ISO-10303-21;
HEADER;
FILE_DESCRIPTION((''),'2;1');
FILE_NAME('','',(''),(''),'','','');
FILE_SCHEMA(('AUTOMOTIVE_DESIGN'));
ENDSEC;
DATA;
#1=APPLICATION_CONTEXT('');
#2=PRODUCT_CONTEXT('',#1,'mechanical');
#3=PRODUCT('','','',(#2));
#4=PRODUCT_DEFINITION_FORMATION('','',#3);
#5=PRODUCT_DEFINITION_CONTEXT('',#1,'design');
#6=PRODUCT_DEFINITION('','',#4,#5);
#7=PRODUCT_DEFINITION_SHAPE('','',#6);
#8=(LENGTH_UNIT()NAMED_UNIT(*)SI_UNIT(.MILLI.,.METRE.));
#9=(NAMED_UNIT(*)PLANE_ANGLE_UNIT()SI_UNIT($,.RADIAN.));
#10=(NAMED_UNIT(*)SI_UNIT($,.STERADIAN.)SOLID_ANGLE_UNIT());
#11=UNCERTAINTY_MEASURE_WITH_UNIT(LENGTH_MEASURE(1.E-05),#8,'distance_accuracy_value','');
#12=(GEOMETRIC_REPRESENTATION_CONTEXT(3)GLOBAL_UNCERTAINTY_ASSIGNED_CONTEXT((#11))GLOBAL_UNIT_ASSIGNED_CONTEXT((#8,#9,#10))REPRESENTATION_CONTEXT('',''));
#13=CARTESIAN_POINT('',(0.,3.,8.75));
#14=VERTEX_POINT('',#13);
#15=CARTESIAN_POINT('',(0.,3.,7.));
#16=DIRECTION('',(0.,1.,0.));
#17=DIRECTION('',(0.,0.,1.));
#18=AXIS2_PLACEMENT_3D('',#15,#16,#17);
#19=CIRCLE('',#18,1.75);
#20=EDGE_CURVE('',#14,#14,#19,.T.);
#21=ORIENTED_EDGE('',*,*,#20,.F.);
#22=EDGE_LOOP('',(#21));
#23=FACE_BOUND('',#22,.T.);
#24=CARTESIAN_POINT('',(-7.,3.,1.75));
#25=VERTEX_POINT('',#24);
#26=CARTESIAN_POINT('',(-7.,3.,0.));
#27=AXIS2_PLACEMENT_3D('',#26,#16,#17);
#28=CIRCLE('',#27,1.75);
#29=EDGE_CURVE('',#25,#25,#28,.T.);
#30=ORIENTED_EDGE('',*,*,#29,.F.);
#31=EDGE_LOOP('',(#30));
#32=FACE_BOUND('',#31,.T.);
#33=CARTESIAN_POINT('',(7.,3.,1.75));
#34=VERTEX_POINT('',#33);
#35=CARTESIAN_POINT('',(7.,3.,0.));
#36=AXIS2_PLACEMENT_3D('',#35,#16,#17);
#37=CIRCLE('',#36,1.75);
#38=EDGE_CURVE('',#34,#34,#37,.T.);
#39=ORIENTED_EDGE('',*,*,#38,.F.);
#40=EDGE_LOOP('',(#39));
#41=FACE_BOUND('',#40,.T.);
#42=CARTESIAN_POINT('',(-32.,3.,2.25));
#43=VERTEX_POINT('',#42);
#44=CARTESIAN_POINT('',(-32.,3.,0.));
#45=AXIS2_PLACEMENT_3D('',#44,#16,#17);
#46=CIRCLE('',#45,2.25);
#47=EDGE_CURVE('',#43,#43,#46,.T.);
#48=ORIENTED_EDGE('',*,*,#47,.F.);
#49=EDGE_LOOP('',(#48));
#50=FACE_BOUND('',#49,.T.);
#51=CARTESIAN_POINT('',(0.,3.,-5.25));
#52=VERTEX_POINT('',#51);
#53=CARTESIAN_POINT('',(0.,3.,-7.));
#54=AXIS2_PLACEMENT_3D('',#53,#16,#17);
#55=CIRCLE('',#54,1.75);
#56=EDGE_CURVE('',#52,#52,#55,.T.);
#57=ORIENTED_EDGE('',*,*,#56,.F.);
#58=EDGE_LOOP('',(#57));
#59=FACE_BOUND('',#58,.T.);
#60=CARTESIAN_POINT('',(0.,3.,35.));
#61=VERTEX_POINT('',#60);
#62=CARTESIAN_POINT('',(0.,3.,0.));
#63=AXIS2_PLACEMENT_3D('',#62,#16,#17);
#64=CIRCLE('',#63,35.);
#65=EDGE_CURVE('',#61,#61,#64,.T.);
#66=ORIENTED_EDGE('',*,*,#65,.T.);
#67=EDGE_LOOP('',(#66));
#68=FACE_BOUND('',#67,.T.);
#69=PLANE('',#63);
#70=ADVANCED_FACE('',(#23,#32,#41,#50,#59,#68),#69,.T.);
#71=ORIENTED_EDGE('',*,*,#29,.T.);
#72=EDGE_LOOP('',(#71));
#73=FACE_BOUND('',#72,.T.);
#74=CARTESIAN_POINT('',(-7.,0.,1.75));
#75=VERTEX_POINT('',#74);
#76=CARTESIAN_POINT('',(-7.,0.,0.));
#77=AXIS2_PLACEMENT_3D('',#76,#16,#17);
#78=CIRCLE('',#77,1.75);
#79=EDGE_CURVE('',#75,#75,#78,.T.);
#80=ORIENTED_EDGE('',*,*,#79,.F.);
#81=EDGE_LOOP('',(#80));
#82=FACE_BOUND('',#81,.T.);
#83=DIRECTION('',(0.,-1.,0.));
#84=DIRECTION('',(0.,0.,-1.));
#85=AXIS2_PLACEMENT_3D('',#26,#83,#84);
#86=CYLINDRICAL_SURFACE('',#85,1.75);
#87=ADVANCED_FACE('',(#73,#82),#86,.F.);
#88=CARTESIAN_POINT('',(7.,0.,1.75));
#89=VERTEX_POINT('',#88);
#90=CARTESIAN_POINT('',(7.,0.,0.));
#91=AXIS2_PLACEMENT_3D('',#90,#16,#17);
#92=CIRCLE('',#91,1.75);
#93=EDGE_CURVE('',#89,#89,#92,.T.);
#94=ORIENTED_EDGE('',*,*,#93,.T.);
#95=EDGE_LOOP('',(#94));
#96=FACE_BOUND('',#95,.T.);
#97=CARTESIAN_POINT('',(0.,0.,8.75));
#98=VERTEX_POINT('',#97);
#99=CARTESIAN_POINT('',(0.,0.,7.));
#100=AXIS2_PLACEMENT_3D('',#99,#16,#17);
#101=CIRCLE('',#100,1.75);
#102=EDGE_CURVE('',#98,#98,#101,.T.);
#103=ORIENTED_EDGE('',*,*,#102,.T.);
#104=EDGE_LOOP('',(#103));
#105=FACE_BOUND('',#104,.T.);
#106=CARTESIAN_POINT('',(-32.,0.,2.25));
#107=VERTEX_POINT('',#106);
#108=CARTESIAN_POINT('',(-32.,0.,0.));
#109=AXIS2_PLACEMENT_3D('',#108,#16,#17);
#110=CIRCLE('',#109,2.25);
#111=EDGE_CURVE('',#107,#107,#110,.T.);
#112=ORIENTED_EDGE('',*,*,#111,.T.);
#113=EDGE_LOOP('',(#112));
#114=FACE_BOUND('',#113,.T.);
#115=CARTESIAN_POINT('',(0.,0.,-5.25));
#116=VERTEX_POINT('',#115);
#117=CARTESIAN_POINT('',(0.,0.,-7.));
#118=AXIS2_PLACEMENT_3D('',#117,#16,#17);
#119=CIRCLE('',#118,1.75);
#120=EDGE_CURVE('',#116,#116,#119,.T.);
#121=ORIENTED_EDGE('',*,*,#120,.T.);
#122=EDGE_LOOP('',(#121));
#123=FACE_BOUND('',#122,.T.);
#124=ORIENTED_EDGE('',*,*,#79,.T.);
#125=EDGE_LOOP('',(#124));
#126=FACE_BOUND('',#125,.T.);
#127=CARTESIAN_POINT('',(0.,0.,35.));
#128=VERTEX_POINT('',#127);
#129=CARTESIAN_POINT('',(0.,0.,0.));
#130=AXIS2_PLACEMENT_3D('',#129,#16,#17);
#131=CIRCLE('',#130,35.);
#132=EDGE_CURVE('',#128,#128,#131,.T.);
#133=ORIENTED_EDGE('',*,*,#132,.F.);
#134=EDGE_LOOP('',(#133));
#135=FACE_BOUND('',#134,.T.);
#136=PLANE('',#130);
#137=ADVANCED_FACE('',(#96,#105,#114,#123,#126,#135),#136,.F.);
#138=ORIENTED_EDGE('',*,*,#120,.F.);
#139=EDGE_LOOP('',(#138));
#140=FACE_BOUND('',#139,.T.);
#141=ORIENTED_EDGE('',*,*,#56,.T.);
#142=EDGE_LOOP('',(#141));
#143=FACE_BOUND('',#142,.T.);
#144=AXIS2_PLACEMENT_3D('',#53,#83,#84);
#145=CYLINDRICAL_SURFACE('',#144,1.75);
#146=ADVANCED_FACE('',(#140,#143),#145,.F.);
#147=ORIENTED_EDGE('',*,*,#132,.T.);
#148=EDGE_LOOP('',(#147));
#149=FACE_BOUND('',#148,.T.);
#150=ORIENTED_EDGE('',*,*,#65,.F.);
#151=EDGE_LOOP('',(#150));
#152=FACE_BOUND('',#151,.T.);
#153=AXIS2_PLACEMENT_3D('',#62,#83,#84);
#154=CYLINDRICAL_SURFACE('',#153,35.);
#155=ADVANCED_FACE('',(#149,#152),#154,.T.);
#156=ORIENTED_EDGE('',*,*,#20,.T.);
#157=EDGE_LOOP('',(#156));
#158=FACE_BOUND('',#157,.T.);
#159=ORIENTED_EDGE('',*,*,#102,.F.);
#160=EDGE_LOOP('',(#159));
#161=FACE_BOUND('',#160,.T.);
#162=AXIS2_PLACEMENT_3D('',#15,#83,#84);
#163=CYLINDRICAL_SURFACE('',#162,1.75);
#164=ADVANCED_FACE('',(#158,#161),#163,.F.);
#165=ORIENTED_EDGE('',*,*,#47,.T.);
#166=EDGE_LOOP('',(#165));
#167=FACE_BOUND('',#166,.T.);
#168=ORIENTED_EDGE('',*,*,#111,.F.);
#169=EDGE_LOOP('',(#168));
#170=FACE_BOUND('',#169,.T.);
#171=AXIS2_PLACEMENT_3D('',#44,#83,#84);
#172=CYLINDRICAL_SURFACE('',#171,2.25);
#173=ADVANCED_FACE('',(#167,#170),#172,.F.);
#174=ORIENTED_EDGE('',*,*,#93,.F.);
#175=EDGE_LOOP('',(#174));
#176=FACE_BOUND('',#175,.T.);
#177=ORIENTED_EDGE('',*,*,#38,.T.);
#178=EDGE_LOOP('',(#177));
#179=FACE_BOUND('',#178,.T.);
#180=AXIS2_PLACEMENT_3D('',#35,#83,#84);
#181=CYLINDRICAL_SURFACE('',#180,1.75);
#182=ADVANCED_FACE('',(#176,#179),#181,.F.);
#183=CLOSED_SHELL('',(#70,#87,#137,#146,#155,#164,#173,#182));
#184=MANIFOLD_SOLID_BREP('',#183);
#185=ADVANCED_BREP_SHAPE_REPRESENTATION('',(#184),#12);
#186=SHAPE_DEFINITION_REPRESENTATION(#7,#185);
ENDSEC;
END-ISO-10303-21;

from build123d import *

# Parameters (mm, degrees)
SKETCH_1_R      = 35
SKETCH_1_R_2    = 1.75
SKETCH_1_R_3    = 2.25
EXTRUDE_1_DEPTH = 3


with BuildPart() as part:
    # 草图1 → 凸台-拉伸1 (new body)
    with BuildSketch(Plane(origin=(0, 0, 0), x_dir=(1, 0, 0), z_dir=(0, 1, 0))):
        with Locations(Location((0, 0, 0), (0, 0, 270))):
            Circle(SKETCH_1_R)
        with Locations(Location((-7, 0, 0), (0, 0, 270))):
            Circle(SKETCH_1_R_2, mode=Mode.SUBTRACT)
        with Locations(Location((0, 7, 0), (0, 0, 270))):
            Circle(SKETCH_1_R_2, mode=Mode.SUBTRACT)
        with Locations(Location((7, 0, 0), (0, 0, 270))):
            Circle(SKETCH_1_R_2, mode=Mode.SUBTRACT)
        with Locations(Location((0, -7, 0), (0, 0, 270))):
            Circle(SKETCH_1_R_2, mode=Mode.SUBTRACT)
        with Locations(Location((-32, 0, 0), (0, 0, 270))):
            Circle(SKETCH_1_R_3, mode=Mode.SUBTRACT)
    extrude(amount=EXTRUDE_1_DEPTH)


solid = part.part
